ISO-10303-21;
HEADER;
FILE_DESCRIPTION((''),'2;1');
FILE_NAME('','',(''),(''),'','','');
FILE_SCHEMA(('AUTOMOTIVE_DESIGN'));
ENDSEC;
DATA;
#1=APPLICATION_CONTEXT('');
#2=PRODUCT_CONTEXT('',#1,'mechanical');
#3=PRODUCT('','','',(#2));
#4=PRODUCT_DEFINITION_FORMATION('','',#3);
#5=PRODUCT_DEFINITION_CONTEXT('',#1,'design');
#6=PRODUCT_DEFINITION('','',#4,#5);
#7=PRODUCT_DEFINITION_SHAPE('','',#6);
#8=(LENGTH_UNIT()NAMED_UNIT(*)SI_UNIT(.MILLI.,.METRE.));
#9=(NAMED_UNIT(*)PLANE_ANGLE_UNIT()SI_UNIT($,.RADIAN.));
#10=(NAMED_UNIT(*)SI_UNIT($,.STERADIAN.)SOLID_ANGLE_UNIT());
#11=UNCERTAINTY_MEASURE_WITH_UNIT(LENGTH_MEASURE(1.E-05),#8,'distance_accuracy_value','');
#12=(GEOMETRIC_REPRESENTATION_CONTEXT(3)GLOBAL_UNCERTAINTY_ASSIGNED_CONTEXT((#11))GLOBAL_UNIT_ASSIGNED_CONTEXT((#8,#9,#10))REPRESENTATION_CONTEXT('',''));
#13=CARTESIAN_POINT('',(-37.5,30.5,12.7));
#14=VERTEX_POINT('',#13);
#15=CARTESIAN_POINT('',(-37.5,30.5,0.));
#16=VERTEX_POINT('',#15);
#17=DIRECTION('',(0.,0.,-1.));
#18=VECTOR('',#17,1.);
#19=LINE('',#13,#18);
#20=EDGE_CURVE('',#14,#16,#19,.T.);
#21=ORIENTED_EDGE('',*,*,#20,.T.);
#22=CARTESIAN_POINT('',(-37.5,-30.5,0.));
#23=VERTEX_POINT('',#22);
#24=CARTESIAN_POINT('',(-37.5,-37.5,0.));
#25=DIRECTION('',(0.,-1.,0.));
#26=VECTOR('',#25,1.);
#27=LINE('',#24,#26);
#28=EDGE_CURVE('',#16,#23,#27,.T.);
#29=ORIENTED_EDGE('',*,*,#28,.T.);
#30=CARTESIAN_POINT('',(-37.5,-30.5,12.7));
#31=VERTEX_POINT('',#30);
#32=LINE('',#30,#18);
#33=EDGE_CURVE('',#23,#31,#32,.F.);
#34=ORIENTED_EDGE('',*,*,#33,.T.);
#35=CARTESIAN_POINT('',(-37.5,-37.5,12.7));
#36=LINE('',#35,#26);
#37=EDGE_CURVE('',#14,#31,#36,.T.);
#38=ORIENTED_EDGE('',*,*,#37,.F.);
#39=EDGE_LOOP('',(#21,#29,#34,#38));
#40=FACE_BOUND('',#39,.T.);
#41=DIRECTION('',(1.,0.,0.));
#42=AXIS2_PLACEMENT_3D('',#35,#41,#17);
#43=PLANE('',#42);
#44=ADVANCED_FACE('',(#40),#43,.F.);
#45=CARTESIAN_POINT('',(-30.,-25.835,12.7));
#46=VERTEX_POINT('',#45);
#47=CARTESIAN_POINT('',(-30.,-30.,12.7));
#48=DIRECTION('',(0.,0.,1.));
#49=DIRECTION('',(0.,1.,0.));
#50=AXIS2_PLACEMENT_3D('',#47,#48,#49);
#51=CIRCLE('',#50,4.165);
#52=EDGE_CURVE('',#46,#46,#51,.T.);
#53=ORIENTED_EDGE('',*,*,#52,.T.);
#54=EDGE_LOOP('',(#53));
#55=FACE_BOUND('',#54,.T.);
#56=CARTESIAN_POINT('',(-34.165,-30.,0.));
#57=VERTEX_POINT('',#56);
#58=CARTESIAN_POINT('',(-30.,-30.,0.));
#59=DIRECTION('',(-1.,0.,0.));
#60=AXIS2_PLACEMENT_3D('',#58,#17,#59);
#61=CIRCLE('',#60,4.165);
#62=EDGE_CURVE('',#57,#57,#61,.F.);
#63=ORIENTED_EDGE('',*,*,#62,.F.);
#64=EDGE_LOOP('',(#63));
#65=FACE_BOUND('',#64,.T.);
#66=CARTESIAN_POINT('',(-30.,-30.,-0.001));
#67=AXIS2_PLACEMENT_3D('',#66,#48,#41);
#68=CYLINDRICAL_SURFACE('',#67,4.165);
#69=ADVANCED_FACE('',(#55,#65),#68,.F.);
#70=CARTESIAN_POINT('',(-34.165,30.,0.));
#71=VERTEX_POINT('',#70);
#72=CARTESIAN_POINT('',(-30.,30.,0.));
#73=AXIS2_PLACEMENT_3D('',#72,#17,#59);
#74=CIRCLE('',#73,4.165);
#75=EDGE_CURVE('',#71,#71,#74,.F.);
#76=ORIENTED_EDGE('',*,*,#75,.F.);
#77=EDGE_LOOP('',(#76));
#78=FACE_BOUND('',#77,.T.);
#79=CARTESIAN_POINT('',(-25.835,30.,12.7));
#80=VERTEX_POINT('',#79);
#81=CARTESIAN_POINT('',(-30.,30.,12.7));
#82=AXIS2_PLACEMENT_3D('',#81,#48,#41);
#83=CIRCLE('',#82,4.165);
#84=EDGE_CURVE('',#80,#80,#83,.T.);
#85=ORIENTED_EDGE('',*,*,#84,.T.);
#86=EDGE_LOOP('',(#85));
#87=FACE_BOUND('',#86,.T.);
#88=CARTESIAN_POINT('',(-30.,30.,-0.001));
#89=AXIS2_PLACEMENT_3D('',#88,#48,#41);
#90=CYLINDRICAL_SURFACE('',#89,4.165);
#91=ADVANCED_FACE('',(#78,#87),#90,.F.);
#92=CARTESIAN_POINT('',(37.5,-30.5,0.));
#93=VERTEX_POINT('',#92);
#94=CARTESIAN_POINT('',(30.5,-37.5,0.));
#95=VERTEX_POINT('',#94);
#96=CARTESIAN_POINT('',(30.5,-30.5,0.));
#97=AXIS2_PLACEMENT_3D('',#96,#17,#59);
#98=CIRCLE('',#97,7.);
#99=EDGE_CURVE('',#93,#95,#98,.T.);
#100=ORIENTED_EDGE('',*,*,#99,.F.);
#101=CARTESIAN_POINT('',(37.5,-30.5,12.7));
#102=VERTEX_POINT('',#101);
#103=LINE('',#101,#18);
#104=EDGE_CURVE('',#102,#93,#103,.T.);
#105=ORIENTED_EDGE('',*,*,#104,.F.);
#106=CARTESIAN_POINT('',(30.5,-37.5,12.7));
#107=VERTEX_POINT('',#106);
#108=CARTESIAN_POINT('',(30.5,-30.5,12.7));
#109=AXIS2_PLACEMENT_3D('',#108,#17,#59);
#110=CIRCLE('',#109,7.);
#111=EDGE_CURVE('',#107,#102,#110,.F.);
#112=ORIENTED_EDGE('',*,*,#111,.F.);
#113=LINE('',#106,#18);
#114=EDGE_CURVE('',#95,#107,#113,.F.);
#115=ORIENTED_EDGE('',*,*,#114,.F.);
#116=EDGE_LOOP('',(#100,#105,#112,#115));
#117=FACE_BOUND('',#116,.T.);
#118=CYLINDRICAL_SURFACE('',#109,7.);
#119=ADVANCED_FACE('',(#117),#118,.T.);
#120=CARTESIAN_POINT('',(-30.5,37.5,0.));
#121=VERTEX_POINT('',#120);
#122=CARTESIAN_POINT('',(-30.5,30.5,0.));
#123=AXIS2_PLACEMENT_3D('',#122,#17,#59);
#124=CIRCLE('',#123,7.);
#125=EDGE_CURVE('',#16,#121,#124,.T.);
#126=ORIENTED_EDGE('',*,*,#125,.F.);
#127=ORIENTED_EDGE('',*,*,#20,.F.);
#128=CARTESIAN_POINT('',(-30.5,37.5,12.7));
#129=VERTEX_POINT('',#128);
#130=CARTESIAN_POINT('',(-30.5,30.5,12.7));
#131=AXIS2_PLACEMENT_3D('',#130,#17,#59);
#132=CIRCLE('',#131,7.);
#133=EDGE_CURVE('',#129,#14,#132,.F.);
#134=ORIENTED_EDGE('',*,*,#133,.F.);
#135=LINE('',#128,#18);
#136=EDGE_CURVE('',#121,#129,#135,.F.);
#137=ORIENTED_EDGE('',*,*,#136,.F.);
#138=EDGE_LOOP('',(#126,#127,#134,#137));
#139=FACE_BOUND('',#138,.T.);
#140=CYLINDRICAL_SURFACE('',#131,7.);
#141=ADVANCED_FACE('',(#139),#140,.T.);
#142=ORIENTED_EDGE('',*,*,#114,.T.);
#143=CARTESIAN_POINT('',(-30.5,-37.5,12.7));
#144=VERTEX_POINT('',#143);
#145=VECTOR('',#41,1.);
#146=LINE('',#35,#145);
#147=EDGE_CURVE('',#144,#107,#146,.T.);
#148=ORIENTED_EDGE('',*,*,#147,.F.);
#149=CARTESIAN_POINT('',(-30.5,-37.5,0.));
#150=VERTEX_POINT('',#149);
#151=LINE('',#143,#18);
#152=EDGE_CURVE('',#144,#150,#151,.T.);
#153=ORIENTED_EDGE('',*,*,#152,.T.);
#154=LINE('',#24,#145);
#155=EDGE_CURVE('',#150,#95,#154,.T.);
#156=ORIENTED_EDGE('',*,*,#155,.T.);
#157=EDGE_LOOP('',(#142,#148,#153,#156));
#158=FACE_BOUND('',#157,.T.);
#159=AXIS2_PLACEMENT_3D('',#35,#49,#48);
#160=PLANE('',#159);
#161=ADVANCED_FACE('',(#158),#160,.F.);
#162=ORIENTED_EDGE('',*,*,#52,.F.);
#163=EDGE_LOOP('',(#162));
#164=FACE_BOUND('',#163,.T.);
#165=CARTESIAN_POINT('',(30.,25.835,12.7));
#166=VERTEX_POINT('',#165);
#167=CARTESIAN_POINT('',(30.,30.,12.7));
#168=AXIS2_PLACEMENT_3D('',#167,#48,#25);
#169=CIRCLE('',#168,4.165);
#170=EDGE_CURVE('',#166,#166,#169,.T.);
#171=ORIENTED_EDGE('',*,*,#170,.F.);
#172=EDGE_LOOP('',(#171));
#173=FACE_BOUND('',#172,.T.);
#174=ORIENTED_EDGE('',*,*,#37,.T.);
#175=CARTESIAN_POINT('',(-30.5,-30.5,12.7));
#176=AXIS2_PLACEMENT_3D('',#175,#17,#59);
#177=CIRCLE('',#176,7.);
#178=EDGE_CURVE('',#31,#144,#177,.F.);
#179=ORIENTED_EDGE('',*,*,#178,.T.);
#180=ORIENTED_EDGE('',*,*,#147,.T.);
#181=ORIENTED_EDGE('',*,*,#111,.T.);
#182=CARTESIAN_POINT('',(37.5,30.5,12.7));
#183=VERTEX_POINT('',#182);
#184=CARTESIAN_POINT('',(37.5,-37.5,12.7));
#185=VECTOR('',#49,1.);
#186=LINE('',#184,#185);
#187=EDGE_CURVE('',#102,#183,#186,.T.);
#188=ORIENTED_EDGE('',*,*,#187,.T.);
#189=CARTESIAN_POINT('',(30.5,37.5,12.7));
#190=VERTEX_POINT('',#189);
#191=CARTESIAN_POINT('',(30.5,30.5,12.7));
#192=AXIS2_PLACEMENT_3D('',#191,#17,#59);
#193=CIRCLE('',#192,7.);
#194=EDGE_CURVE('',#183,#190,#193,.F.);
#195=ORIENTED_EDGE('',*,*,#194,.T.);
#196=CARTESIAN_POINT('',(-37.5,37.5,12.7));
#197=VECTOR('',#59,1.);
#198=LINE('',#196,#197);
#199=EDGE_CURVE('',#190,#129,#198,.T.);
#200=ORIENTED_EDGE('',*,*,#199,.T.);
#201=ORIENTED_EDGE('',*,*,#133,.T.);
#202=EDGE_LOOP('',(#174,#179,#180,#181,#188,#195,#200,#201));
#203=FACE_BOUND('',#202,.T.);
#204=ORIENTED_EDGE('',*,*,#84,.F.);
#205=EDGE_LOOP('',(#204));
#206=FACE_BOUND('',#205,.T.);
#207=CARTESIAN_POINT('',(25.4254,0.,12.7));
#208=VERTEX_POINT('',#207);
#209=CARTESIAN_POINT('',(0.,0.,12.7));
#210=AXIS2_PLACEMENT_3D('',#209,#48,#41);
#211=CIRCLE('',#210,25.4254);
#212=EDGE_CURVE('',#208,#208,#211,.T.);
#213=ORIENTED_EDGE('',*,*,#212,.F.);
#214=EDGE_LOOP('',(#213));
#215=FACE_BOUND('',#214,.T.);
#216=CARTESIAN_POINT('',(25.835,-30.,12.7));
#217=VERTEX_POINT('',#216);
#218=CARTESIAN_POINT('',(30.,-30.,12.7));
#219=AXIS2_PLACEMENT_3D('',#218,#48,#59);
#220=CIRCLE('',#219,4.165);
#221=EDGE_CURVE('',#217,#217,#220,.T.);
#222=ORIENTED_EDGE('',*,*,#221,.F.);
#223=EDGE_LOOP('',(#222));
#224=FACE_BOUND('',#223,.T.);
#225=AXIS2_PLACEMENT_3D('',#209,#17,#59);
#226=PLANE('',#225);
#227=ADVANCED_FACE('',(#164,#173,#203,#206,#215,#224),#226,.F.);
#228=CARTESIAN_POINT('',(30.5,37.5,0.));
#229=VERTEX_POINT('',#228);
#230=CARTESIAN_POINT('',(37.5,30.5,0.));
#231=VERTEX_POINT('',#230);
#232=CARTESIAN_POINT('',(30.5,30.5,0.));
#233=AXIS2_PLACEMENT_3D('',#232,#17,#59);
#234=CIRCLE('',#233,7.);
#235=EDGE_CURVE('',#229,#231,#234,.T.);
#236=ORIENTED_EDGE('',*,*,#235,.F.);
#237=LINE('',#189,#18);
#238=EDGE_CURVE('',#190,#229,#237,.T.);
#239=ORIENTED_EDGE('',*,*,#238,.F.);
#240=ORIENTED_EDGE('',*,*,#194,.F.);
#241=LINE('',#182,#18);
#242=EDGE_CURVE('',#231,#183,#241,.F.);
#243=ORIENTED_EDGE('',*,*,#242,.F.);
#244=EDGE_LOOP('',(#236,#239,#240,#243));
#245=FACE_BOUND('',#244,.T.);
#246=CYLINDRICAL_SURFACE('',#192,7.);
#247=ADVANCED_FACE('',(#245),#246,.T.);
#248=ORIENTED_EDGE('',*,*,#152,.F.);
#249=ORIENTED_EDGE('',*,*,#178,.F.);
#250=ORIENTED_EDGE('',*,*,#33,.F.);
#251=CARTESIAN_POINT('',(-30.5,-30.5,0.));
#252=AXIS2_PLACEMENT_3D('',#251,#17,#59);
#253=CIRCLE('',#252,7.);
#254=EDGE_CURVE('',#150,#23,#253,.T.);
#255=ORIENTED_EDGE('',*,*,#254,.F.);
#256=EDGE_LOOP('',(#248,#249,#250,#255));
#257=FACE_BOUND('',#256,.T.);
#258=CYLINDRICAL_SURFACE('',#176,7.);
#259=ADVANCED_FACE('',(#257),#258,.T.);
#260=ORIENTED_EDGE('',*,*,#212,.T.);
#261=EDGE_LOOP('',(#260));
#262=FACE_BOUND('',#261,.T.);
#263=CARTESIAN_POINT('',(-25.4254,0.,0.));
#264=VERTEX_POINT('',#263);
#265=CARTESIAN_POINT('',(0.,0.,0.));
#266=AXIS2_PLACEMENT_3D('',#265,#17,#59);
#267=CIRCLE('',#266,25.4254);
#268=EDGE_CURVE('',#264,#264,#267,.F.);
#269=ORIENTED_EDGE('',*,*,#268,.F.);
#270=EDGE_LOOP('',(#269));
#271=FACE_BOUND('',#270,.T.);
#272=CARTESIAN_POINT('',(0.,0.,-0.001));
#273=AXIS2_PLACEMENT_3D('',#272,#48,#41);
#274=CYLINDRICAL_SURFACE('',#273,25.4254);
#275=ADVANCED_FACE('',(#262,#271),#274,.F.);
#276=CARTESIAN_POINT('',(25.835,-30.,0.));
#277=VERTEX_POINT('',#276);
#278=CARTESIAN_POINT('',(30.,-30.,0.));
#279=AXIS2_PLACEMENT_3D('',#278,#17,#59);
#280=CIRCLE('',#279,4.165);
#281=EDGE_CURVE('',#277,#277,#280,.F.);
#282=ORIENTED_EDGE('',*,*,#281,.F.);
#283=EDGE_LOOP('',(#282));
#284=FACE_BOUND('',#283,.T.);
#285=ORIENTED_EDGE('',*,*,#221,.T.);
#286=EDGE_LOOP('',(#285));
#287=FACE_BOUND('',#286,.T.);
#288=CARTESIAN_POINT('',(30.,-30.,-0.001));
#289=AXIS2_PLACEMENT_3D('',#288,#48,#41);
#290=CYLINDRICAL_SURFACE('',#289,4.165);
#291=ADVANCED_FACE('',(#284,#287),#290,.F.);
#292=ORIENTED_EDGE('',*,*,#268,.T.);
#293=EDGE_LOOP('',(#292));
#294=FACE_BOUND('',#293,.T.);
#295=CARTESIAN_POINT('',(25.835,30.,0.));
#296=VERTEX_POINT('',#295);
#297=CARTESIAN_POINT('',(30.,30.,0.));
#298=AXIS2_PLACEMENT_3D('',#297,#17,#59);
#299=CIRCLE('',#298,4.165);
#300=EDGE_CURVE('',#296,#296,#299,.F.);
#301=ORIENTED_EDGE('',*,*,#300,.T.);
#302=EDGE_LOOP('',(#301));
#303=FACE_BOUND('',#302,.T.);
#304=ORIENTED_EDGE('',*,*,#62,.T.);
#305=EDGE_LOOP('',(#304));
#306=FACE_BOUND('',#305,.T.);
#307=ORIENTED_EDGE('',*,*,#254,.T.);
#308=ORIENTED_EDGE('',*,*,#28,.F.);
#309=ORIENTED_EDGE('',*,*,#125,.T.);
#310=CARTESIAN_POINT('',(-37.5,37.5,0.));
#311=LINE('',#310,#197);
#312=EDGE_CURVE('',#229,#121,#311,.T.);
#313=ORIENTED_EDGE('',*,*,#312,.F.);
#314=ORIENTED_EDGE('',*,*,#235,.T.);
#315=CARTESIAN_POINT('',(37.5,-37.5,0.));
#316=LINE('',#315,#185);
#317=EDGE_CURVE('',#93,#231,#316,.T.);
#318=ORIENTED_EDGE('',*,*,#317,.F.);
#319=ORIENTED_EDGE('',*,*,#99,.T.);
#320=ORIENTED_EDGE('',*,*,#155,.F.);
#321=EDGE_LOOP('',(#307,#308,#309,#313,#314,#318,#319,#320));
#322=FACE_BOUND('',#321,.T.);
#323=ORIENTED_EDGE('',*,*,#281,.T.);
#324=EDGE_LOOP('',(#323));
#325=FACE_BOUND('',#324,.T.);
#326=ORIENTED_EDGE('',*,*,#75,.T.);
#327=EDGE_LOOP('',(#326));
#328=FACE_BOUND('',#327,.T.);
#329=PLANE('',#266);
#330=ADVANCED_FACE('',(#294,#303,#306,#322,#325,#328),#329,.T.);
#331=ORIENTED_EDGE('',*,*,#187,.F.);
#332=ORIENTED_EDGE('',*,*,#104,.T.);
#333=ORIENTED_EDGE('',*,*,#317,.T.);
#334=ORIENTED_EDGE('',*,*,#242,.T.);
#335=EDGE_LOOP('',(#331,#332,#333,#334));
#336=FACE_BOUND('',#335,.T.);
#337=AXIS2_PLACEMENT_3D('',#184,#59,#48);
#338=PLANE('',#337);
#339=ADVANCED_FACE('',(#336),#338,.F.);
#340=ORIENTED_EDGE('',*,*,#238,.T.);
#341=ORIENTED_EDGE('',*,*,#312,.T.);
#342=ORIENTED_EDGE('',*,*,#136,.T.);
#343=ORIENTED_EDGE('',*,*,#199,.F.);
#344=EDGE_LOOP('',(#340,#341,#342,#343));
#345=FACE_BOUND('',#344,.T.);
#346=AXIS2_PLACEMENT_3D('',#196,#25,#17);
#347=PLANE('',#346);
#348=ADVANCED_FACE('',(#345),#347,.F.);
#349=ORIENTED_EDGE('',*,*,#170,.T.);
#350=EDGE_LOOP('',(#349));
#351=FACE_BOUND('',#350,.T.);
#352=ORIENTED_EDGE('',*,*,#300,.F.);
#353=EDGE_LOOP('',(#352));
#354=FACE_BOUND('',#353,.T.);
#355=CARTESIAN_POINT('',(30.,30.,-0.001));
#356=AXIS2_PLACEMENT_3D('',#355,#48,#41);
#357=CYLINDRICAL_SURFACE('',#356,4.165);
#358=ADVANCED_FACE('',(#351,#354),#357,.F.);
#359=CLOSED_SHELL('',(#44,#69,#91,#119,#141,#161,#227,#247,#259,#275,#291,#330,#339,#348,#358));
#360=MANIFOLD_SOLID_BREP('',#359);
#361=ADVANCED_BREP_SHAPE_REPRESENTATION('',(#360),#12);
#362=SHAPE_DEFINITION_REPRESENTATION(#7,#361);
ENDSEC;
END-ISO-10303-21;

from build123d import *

# Parameters (mm, degrees)
SKETCH1_W           = 75
SKETCH1_H           = 75
BOSS_EXTRUDE1_DEPTH = 12.7
FILLET1_R           = 7
CUT_EXTRUDE1_REACH  = 56.532
SKETCH2_R           = 25.4254
CUT_EXTRUDE2_REACH  = 56.532
SKETCH3_R           = 4.165
CIRPATTERN1_COUNT   = 4


with BuildPart() as part:
    # Sketch1 → Boss-Extrude1 (new body)
    with BuildSketch(Plane.XY):
        Rectangle(SKETCH1_W, SKETCH1_H)
    extrude(amount=BOSS_EXTRUDE1_DEPTH)

    # Fillet1
    fillet1_edges = [part.edges().sort_by_distance(p)[0] for p in [
        (37.5, -37.5, 6.35),
        (-37.5, -37.5, 6.35),
        (-37.5, 37.5, 6.35),
        (37.5, 37.5, 6.35),
    ]]
    fillet(fillet1_edges, radius=FILLET1_R)

    # Sketch2 → Cut-Extrude1 (cut, up to next)
    with BuildSketch(Plane.XY.offset(12.7), mode=Mode.PRIVATE) as cut_extrude1_sk1:
        Circle(SKETCH2_R)
    cut_extrude1_tool1 = extrude(cut_extrude1_sk1.sketch, amount=-CUT_EXTRUDE1_REACH, mode=Mode.PRIVATE) & part.part
    add(cut_extrude1_tool1.solids().sort_by_distance((0, 0, 12.7))[0], mode=Mode.SUBTRACT)

    # Sketch3 → Cut-Extrude2 (cut, up to next)
    with BuildSketch(Plane.XY.offset(12.7), mode=Mode.PRIVATE) as cut_extrude2_sk1:
        with Locations((-30, 30)):
            Circle(SKETCH3_R)
    cut_extrude2_tool1 = extrude(cut_extrude2_sk1.sketch, amount=-CUT_EXTRUDE2_REACH, mode=Mode.PRIVATE) & part.part
    cut_extrude2 = cut_extrude2_tool1.solids().sort_by_distance((-30, 30, 12.7))[0]
    add(cut_extrude2, mode=Mode.SUBTRACT)

    # CirPattern1: Cut-Extrude2 ×4 about axis
    cirpattern1_axis = Axis((0, 0, 0), (0, 0, 1))
    for i in range(1, CIRPATTERN1_COUNT):
        add(cut_extrude2.rotate(cirpattern1_axis, i * 360 / CIRPATTERN1_COUNT), mode=Mode.SUBTRACT)


solid = part.part
